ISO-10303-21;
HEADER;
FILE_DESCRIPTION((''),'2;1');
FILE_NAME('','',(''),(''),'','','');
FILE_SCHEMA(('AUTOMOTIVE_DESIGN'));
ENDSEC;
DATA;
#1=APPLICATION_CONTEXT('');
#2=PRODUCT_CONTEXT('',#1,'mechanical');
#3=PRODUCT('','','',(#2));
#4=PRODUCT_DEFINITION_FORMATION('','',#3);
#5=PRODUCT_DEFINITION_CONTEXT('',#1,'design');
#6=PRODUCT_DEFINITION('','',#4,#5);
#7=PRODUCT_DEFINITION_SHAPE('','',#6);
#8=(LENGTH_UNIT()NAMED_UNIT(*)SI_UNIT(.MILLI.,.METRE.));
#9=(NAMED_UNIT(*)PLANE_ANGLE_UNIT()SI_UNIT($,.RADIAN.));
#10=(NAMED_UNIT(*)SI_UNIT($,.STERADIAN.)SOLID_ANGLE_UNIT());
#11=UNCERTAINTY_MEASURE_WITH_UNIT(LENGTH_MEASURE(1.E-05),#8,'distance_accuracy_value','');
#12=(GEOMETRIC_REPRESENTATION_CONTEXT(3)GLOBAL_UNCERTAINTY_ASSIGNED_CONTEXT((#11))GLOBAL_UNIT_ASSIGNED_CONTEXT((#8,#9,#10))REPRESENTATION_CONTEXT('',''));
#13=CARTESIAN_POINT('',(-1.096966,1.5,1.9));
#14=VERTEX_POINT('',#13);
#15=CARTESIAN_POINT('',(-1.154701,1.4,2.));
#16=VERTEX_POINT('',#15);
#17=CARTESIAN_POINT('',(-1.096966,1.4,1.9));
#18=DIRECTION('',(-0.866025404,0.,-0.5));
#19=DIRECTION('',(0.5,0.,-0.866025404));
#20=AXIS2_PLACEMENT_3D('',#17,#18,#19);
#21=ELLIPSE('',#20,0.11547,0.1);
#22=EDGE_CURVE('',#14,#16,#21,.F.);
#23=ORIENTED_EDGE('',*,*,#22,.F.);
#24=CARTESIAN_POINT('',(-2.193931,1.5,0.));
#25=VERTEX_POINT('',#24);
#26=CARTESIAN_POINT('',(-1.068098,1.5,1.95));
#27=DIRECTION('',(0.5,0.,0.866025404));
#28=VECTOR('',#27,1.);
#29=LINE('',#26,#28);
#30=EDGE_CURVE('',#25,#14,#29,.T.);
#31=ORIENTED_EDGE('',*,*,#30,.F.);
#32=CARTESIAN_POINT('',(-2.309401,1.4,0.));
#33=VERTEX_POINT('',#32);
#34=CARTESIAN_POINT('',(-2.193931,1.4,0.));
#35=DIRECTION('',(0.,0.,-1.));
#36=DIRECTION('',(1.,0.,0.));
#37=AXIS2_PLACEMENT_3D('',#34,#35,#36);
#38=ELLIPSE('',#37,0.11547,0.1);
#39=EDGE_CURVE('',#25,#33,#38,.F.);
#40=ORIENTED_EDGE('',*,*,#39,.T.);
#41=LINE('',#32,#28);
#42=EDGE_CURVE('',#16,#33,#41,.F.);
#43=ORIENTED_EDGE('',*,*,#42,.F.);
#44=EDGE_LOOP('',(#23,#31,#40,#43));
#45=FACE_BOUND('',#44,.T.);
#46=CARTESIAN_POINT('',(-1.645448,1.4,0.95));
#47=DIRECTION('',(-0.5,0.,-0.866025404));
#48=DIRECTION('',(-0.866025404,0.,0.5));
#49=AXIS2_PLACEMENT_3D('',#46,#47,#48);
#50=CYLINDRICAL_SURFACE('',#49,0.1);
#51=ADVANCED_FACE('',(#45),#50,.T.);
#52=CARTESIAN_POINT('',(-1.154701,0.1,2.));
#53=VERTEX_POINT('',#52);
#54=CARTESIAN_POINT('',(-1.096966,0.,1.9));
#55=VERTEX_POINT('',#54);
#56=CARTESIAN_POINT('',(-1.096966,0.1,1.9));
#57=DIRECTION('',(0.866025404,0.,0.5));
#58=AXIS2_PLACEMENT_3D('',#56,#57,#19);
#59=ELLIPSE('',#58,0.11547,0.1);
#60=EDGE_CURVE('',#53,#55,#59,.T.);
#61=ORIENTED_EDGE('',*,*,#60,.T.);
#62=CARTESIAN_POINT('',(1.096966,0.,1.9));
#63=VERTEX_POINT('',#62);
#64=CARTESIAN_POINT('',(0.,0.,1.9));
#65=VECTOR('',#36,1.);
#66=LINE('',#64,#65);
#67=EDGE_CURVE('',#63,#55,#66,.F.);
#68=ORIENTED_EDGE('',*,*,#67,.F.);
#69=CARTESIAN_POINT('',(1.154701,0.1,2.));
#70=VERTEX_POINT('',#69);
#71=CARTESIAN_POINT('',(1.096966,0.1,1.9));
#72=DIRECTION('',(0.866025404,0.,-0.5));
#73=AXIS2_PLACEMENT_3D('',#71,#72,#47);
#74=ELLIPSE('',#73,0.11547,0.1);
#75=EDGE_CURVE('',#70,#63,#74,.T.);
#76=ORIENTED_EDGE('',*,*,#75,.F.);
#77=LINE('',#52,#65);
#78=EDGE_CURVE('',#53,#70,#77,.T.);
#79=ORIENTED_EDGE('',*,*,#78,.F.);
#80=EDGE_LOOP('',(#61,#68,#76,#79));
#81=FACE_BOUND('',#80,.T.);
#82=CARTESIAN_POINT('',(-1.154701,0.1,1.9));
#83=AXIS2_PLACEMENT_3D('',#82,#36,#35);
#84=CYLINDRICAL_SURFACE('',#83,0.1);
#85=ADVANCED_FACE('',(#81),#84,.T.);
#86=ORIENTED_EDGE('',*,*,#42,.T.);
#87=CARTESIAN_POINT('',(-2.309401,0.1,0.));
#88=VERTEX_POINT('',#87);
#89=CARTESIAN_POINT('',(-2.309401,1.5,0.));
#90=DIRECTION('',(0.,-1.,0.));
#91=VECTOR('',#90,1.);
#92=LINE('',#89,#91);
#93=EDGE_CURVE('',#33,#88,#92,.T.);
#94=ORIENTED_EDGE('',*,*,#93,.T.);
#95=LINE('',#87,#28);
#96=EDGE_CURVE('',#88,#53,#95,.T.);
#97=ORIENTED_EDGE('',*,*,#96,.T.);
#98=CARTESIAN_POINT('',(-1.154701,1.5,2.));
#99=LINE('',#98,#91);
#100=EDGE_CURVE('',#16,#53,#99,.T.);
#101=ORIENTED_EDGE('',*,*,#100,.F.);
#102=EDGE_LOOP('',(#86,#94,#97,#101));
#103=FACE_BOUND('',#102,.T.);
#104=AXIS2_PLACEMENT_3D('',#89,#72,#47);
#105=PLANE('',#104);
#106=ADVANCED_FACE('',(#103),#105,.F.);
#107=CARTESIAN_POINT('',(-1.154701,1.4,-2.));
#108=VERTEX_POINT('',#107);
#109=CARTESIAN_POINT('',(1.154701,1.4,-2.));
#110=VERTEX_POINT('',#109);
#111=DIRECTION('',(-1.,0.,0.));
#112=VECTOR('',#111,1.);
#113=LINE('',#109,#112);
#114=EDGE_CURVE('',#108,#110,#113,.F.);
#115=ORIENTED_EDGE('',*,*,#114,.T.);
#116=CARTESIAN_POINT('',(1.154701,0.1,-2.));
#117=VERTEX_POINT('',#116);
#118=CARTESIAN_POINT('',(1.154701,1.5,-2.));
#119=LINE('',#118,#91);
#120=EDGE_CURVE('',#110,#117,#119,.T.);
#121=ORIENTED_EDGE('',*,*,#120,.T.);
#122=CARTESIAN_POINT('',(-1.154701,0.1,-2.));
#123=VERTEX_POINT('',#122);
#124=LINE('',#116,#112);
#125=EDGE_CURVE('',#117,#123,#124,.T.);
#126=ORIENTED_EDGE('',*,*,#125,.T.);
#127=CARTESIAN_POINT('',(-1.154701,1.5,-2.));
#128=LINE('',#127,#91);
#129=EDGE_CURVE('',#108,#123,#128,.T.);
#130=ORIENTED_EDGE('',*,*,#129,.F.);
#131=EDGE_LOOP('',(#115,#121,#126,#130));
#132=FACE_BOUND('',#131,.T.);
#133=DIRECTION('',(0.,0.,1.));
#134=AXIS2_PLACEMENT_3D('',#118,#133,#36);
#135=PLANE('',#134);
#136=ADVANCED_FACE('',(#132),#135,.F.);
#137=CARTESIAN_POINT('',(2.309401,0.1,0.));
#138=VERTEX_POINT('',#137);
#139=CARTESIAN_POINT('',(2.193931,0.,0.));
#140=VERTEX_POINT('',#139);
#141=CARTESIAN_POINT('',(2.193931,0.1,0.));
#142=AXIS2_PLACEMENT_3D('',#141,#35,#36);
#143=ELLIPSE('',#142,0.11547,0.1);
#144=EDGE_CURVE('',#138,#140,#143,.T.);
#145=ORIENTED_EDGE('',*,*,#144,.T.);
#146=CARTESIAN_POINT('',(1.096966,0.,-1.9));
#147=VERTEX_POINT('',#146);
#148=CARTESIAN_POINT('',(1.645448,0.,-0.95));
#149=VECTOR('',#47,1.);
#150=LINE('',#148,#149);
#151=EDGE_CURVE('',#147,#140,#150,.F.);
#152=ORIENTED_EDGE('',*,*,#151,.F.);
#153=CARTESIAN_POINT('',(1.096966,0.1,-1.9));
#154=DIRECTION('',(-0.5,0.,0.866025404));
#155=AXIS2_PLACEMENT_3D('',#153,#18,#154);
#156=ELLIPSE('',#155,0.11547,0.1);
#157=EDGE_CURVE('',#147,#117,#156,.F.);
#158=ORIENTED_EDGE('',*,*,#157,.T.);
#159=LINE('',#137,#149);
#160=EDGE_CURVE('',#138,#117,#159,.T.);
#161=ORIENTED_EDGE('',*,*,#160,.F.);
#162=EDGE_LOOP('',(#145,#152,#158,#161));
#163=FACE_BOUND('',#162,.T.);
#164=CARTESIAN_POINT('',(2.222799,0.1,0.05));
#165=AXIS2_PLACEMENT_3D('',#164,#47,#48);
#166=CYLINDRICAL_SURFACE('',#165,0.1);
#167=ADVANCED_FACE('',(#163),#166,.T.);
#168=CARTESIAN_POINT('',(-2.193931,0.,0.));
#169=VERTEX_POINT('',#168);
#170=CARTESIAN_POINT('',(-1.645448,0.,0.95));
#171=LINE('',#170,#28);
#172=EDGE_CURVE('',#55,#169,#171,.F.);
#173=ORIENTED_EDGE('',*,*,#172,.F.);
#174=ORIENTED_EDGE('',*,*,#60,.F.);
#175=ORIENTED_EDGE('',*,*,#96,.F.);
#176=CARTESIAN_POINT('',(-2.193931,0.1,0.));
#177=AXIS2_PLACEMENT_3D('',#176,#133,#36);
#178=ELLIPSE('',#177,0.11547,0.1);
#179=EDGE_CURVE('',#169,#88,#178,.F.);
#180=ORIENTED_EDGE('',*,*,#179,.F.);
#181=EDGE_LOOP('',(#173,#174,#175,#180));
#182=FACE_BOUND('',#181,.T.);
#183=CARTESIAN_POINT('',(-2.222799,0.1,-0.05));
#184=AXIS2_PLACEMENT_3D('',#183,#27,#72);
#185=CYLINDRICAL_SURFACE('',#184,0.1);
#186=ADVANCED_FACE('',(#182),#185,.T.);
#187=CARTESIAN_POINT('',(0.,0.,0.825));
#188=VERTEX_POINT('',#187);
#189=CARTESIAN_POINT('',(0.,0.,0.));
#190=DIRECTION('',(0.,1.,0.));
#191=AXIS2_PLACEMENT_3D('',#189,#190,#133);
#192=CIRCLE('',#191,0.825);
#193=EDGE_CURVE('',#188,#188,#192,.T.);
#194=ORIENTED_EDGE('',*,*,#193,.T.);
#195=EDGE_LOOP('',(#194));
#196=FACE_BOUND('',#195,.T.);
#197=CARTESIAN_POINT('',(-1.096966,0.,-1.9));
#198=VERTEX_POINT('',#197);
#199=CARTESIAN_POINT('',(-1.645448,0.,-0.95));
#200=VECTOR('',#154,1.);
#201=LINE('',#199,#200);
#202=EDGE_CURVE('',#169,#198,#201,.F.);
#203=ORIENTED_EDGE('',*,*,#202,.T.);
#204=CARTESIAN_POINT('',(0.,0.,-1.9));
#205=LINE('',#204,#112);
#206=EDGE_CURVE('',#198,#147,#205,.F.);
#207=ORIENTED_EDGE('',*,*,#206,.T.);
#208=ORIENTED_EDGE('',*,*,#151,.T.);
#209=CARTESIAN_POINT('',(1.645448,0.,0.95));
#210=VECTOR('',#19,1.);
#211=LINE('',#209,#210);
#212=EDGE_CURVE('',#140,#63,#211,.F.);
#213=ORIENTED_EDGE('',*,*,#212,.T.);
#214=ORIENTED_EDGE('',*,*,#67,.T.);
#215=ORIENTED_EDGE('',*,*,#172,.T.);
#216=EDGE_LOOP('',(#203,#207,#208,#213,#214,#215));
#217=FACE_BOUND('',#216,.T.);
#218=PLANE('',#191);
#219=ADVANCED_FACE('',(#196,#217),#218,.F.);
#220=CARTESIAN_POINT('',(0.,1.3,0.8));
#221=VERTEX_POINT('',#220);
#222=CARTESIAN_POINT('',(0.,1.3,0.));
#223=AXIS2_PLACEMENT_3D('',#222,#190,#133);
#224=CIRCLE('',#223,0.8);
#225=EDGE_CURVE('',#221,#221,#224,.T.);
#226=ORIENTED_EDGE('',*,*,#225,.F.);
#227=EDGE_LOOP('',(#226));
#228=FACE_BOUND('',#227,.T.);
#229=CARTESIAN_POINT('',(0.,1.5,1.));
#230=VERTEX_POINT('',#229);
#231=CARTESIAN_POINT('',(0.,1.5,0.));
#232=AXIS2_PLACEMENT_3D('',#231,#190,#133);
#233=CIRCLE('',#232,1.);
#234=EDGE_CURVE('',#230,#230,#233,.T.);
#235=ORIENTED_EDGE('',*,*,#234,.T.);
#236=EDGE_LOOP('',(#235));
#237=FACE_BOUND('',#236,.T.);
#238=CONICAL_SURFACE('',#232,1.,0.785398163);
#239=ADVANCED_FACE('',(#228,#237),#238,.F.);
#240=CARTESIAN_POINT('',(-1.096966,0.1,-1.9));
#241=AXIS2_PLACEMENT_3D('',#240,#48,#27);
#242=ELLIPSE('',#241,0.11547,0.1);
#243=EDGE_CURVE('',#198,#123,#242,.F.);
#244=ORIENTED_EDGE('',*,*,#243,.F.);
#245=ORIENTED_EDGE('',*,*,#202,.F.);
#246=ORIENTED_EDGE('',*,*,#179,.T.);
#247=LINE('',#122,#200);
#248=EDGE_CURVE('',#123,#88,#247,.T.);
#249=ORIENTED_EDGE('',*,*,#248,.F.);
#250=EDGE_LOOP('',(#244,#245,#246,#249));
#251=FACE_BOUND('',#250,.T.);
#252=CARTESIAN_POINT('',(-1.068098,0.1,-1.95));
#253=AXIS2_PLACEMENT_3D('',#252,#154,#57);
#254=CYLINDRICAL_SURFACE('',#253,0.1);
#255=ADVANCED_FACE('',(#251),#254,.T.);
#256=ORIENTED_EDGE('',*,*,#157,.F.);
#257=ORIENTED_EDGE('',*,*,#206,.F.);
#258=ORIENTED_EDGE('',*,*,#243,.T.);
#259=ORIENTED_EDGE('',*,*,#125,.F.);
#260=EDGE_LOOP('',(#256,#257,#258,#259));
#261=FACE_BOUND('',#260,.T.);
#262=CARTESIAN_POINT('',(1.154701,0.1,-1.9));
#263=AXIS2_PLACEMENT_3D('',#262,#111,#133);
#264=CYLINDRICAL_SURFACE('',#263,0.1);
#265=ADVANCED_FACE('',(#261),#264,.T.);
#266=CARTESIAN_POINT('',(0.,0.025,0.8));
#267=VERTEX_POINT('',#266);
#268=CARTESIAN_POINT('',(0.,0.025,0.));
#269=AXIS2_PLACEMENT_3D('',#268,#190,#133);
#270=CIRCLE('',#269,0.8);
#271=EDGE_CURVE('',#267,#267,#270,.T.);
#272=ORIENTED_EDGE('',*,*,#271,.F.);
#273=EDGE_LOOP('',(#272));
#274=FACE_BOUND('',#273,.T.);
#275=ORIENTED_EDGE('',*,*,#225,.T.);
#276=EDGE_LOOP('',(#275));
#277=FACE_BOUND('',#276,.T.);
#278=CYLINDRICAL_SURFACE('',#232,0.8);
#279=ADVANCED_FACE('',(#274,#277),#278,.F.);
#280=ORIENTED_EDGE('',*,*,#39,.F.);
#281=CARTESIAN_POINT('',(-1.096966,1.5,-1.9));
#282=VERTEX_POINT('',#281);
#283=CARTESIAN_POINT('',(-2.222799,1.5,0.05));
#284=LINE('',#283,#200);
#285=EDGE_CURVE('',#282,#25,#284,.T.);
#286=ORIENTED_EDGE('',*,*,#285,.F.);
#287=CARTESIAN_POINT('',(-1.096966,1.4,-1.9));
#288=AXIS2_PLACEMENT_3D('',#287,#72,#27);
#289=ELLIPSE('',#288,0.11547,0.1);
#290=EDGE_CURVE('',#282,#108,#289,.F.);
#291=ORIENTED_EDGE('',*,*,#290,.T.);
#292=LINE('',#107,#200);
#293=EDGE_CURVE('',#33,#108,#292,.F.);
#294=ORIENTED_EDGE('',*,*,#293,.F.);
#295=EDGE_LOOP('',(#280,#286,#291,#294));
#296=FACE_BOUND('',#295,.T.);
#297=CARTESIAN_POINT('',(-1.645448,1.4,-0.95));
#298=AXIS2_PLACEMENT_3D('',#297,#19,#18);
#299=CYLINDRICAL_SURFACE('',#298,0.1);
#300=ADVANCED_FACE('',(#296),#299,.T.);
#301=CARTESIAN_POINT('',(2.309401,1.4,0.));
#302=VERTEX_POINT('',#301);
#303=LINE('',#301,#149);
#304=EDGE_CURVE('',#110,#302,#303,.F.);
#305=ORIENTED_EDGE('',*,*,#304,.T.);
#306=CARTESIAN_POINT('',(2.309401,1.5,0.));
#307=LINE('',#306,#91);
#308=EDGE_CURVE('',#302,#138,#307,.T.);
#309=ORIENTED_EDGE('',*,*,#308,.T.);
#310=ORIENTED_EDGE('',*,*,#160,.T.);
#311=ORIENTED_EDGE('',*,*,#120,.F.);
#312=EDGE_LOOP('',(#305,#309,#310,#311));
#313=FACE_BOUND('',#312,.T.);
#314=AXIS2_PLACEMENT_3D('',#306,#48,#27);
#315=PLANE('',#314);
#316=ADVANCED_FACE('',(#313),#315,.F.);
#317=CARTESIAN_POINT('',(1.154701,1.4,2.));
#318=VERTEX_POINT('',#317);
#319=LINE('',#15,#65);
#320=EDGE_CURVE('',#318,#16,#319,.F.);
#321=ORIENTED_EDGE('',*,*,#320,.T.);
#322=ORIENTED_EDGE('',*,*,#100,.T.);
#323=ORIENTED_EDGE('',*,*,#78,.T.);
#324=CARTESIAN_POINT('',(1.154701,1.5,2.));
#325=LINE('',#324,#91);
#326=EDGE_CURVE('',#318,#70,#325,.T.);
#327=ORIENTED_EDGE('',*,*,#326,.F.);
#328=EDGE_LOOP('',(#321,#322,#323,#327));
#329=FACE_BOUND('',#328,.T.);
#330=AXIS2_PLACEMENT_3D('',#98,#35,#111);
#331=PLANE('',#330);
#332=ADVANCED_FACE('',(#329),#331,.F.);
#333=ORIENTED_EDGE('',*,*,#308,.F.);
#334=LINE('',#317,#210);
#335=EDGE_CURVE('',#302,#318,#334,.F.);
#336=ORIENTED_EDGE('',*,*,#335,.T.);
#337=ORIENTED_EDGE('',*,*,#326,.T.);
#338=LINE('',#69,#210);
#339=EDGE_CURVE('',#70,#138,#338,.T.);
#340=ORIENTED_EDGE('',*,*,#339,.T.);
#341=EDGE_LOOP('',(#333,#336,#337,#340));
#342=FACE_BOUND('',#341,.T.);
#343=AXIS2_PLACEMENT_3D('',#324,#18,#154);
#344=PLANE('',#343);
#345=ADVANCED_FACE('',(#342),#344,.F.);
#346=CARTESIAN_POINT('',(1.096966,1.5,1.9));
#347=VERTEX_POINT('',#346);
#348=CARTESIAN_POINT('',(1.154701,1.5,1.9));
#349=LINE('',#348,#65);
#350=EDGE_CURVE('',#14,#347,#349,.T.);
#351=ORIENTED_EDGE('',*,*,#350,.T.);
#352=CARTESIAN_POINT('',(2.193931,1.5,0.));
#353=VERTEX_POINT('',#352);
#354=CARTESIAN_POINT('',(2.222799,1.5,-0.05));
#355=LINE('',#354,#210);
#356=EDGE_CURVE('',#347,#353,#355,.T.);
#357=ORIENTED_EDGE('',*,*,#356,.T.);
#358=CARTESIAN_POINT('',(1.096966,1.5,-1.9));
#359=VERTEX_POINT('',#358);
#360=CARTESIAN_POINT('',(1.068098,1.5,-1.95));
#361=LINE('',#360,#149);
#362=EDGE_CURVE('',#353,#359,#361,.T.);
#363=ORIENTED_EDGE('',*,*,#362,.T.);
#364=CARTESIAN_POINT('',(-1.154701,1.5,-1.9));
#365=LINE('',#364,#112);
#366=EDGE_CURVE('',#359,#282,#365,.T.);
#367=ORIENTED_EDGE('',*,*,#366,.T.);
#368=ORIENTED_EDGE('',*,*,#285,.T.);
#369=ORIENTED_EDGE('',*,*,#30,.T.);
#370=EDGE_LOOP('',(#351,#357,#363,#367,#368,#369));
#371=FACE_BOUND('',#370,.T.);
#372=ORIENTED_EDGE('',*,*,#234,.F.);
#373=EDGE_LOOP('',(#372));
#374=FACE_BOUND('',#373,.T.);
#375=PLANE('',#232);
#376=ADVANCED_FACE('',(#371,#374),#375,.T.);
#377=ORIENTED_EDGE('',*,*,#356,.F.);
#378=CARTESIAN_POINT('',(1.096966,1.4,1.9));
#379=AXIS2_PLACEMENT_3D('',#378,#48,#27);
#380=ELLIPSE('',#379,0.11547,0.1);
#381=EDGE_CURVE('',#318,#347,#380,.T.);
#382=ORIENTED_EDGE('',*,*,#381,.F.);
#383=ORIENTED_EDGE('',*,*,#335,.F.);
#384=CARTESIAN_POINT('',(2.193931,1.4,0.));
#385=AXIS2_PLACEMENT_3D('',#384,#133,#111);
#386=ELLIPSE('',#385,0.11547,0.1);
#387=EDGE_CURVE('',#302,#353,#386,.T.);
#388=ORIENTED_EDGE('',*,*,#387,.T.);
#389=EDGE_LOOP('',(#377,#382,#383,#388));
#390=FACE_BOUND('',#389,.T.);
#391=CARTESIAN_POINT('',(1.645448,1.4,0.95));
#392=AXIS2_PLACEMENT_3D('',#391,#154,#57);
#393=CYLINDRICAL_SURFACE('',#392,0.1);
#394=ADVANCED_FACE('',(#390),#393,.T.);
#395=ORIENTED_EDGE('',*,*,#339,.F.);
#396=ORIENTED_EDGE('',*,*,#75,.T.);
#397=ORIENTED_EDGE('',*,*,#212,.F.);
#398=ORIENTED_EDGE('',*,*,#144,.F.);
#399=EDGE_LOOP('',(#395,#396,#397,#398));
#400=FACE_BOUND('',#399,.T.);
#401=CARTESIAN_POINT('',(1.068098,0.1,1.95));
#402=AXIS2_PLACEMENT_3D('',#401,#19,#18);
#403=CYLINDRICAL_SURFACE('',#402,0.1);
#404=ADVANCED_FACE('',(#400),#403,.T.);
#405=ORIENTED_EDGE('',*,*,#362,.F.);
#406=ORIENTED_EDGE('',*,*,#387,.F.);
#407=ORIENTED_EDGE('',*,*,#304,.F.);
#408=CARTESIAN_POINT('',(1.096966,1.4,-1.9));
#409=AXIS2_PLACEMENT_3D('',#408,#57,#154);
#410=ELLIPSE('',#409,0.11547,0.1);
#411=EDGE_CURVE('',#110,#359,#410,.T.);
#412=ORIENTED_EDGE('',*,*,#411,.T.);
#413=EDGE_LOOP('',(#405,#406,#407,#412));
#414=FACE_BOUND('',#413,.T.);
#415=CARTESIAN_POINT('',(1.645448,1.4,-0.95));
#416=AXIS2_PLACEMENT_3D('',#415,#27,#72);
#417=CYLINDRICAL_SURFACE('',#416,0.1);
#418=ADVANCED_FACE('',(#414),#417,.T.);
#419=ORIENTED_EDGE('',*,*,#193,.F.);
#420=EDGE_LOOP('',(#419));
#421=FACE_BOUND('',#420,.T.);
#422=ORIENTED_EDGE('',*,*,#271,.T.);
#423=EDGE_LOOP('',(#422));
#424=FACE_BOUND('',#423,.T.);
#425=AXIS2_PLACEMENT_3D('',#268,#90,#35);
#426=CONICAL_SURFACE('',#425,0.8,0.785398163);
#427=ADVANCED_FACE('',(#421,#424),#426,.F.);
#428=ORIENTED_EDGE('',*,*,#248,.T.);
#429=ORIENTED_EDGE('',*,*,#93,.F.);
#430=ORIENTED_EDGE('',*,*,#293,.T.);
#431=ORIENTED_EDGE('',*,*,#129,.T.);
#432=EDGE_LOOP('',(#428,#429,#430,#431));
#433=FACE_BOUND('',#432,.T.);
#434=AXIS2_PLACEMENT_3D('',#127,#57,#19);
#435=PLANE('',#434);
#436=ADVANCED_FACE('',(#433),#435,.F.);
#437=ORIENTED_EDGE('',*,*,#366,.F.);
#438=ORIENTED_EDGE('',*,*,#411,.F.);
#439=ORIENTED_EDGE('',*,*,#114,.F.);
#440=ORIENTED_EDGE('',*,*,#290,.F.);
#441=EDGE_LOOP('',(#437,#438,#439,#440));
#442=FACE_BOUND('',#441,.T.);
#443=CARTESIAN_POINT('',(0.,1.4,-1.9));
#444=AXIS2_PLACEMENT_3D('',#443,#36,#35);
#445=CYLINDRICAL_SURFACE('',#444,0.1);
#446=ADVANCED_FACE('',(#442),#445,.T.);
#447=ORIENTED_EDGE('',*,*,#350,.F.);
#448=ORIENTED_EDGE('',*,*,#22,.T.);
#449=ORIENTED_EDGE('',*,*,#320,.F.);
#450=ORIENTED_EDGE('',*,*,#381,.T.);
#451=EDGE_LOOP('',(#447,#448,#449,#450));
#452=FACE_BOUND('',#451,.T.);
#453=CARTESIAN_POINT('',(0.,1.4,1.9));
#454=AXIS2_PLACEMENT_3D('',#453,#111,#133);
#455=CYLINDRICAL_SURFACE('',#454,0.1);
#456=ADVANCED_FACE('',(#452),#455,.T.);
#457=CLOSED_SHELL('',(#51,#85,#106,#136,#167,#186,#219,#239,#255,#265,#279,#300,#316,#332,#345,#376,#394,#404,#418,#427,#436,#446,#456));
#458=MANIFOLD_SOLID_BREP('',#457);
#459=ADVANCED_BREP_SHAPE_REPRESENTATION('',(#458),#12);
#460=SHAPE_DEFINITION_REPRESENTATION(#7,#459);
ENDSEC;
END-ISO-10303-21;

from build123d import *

# Parameters (mm, degrees)
BOSS_EXTRUDE1_DEPTH = 1.5
FILLET2_R           = 0.1


with BuildPart() as part:
    # Sketch1 → Boss-Extrude1 (new body)
    with BuildSketch(Plane(origin=(0, 0, 0), x_dir=(1, 0, 0), z_dir=(0, 1, 0))):
        Polygon((2.309401077, 0), (1.154700538, 2), (-1.154700538, 2), (-2.309401077, 0), (-1.154700538, -2), (1.154700538, -2), align=None)
    extrude(amount=BOSS_EXTRUDE1_DEPTH)

    # Fillet2
    fillet2_edges = [part.edges().sort_by_distance(p)[0] for p in [
        (0, 1.5, -2),
        (-1.732050808, 1.5, -1),
        (-1.732050808, 1.5, 1),
        (0, 1.5, 2),
        (1.732050808, 1.5, 1),
        (0, 0, 2),
        (-1.732050808, 0, 1),
        (-1.732050808, 0, -1),
        (0, 0, -2),
        (1.732050808, 0, -1),
        (1.732050808, 0, 1),
        (1.732050808, 1.5, -1),
    ]]
    fillet(fillet2_edges, radius=FILLET2_R)

    # Sketch3 → M2x0.4 Tapped Hole1 (revolve, cut)
    with BuildSketch(Plane(origin=(0, 1.5, 0), x_dir=(0, 0, 1), z_dir=(1, 0, 0))):
        Polygon((0, 0), (0, 1.5), (0.825, 1.5), (0.8, 1.475), (0.8, 0.2), (1, 0), align=None)
    revolve(axis=Axis((0, 7.85, 0), (0, -1, 0)), mode=Mode.SUBTRACT)


solid = part.part
